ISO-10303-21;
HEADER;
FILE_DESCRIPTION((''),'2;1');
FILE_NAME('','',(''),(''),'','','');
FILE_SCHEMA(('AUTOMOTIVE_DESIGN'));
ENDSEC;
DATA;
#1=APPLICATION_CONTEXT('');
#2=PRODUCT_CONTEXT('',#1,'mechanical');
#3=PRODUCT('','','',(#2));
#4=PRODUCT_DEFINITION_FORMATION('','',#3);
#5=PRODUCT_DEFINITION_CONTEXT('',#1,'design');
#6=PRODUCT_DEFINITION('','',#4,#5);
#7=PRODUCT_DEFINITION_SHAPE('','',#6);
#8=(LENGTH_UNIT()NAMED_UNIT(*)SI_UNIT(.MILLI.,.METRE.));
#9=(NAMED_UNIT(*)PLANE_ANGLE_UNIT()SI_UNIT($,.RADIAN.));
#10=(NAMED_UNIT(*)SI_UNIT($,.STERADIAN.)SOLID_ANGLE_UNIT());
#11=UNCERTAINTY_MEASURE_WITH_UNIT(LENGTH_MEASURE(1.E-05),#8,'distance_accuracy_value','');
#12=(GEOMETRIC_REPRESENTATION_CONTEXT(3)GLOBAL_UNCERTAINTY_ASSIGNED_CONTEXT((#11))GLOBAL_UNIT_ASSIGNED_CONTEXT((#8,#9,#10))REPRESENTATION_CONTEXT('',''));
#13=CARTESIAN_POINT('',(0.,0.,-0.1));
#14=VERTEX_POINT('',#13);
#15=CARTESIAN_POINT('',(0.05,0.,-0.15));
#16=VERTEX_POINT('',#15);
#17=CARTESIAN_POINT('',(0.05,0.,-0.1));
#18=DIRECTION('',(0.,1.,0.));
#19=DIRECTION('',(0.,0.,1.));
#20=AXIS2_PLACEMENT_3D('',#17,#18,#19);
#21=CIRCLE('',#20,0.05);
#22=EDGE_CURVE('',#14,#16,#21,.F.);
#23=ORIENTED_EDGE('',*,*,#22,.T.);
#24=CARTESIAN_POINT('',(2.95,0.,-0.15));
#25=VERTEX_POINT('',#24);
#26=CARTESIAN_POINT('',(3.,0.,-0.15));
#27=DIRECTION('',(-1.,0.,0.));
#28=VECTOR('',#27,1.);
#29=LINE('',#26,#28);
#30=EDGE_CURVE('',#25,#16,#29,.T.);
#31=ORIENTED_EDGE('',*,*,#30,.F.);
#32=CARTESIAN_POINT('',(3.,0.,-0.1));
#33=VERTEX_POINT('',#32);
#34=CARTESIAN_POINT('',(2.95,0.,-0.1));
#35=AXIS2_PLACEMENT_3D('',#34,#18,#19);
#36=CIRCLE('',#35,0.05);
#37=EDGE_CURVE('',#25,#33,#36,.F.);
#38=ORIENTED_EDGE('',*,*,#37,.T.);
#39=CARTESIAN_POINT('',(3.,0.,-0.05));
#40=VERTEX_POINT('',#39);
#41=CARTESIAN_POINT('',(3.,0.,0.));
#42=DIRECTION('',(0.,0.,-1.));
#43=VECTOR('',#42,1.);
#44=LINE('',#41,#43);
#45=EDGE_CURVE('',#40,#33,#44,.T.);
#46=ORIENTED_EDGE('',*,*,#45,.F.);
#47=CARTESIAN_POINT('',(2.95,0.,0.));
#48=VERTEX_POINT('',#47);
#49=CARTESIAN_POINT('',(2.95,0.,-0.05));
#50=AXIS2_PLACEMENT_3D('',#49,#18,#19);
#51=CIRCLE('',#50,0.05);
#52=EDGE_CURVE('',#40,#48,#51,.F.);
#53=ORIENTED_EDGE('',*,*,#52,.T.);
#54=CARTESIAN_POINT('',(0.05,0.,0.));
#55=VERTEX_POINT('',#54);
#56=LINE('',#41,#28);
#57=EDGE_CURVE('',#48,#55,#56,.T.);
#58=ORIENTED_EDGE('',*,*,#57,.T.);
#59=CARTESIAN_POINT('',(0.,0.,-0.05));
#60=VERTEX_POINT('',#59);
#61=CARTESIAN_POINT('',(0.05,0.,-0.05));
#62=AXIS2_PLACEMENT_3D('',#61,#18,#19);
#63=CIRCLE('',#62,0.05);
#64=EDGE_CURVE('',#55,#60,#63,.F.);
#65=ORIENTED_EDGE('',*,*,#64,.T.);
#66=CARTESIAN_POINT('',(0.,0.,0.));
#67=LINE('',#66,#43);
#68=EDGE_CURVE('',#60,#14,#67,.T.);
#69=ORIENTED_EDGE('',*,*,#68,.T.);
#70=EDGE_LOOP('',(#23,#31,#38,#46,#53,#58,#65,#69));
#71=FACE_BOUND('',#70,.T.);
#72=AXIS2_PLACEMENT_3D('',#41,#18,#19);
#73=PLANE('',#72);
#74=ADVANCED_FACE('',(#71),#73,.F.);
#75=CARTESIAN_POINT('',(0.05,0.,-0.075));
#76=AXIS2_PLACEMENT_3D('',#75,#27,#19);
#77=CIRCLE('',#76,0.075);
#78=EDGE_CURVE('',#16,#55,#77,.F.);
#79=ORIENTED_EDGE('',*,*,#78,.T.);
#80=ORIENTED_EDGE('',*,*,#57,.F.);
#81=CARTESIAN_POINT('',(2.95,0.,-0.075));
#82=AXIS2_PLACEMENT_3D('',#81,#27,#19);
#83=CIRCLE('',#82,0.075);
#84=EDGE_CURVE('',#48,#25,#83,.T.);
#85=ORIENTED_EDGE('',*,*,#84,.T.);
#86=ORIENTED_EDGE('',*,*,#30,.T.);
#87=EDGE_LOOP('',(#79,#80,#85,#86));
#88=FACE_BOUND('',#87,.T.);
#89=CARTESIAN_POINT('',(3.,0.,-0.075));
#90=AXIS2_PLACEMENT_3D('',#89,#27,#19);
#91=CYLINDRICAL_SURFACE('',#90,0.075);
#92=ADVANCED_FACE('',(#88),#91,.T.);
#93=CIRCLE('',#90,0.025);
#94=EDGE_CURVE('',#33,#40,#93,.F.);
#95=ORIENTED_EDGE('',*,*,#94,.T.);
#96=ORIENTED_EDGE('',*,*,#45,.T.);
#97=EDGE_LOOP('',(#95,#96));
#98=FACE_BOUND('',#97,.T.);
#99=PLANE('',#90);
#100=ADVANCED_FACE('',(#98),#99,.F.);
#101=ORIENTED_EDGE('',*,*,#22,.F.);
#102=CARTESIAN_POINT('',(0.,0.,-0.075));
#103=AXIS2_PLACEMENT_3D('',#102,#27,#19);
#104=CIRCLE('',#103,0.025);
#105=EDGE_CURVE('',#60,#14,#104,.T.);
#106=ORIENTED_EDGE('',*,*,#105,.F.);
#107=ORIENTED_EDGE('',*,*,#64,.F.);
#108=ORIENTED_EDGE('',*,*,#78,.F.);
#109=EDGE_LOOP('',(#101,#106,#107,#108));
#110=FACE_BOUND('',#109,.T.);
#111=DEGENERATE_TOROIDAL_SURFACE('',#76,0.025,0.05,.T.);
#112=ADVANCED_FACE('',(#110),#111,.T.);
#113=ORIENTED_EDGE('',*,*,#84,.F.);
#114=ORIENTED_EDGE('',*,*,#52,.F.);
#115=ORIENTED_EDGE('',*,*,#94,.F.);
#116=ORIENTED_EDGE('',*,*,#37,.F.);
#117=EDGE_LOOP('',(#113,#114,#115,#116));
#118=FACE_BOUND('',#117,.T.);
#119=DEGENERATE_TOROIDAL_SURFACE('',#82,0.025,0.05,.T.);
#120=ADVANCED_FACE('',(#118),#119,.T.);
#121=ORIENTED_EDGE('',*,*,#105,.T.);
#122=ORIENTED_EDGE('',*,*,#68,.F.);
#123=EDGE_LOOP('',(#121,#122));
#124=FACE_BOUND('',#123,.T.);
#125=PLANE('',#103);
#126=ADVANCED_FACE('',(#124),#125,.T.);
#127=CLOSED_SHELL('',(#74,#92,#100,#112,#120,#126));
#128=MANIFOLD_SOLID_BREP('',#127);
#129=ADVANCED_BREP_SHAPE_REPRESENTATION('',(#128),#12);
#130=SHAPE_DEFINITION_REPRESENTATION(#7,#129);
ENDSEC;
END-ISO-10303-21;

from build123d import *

# Parameters (mm, degrees)
BOSS_EXTRUDE1_DEPTH = 3
FILLET1_R           = 0.05


with BuildPart() as part:
    # Sketch1 → Boss-Extrude1 (new body)
    with BuildSketch(Plane(origin=(0, 0, 0), x_dir=(0, 0, -1), z_dir=(1, 0, 0))):
        with BuildLine():
            Line((0, 0), (0.15, 0))
            ThreePointArc((0.15, 0), (0.075, 0.075), (0, 0))
        make_face()
    extrude(amount=BOSS_EXTRUDE1_DEPTH)

    # Fillet1
    fillet1_edges = [part.edges().sort_by_distance(p)[0] for p in [
        (0, 0.075, -0.075),
        (3, 0.075, -0.075),
    ]]
    fillet(fillet1_edges, radius=FILLET1_R)


solid = part.part
